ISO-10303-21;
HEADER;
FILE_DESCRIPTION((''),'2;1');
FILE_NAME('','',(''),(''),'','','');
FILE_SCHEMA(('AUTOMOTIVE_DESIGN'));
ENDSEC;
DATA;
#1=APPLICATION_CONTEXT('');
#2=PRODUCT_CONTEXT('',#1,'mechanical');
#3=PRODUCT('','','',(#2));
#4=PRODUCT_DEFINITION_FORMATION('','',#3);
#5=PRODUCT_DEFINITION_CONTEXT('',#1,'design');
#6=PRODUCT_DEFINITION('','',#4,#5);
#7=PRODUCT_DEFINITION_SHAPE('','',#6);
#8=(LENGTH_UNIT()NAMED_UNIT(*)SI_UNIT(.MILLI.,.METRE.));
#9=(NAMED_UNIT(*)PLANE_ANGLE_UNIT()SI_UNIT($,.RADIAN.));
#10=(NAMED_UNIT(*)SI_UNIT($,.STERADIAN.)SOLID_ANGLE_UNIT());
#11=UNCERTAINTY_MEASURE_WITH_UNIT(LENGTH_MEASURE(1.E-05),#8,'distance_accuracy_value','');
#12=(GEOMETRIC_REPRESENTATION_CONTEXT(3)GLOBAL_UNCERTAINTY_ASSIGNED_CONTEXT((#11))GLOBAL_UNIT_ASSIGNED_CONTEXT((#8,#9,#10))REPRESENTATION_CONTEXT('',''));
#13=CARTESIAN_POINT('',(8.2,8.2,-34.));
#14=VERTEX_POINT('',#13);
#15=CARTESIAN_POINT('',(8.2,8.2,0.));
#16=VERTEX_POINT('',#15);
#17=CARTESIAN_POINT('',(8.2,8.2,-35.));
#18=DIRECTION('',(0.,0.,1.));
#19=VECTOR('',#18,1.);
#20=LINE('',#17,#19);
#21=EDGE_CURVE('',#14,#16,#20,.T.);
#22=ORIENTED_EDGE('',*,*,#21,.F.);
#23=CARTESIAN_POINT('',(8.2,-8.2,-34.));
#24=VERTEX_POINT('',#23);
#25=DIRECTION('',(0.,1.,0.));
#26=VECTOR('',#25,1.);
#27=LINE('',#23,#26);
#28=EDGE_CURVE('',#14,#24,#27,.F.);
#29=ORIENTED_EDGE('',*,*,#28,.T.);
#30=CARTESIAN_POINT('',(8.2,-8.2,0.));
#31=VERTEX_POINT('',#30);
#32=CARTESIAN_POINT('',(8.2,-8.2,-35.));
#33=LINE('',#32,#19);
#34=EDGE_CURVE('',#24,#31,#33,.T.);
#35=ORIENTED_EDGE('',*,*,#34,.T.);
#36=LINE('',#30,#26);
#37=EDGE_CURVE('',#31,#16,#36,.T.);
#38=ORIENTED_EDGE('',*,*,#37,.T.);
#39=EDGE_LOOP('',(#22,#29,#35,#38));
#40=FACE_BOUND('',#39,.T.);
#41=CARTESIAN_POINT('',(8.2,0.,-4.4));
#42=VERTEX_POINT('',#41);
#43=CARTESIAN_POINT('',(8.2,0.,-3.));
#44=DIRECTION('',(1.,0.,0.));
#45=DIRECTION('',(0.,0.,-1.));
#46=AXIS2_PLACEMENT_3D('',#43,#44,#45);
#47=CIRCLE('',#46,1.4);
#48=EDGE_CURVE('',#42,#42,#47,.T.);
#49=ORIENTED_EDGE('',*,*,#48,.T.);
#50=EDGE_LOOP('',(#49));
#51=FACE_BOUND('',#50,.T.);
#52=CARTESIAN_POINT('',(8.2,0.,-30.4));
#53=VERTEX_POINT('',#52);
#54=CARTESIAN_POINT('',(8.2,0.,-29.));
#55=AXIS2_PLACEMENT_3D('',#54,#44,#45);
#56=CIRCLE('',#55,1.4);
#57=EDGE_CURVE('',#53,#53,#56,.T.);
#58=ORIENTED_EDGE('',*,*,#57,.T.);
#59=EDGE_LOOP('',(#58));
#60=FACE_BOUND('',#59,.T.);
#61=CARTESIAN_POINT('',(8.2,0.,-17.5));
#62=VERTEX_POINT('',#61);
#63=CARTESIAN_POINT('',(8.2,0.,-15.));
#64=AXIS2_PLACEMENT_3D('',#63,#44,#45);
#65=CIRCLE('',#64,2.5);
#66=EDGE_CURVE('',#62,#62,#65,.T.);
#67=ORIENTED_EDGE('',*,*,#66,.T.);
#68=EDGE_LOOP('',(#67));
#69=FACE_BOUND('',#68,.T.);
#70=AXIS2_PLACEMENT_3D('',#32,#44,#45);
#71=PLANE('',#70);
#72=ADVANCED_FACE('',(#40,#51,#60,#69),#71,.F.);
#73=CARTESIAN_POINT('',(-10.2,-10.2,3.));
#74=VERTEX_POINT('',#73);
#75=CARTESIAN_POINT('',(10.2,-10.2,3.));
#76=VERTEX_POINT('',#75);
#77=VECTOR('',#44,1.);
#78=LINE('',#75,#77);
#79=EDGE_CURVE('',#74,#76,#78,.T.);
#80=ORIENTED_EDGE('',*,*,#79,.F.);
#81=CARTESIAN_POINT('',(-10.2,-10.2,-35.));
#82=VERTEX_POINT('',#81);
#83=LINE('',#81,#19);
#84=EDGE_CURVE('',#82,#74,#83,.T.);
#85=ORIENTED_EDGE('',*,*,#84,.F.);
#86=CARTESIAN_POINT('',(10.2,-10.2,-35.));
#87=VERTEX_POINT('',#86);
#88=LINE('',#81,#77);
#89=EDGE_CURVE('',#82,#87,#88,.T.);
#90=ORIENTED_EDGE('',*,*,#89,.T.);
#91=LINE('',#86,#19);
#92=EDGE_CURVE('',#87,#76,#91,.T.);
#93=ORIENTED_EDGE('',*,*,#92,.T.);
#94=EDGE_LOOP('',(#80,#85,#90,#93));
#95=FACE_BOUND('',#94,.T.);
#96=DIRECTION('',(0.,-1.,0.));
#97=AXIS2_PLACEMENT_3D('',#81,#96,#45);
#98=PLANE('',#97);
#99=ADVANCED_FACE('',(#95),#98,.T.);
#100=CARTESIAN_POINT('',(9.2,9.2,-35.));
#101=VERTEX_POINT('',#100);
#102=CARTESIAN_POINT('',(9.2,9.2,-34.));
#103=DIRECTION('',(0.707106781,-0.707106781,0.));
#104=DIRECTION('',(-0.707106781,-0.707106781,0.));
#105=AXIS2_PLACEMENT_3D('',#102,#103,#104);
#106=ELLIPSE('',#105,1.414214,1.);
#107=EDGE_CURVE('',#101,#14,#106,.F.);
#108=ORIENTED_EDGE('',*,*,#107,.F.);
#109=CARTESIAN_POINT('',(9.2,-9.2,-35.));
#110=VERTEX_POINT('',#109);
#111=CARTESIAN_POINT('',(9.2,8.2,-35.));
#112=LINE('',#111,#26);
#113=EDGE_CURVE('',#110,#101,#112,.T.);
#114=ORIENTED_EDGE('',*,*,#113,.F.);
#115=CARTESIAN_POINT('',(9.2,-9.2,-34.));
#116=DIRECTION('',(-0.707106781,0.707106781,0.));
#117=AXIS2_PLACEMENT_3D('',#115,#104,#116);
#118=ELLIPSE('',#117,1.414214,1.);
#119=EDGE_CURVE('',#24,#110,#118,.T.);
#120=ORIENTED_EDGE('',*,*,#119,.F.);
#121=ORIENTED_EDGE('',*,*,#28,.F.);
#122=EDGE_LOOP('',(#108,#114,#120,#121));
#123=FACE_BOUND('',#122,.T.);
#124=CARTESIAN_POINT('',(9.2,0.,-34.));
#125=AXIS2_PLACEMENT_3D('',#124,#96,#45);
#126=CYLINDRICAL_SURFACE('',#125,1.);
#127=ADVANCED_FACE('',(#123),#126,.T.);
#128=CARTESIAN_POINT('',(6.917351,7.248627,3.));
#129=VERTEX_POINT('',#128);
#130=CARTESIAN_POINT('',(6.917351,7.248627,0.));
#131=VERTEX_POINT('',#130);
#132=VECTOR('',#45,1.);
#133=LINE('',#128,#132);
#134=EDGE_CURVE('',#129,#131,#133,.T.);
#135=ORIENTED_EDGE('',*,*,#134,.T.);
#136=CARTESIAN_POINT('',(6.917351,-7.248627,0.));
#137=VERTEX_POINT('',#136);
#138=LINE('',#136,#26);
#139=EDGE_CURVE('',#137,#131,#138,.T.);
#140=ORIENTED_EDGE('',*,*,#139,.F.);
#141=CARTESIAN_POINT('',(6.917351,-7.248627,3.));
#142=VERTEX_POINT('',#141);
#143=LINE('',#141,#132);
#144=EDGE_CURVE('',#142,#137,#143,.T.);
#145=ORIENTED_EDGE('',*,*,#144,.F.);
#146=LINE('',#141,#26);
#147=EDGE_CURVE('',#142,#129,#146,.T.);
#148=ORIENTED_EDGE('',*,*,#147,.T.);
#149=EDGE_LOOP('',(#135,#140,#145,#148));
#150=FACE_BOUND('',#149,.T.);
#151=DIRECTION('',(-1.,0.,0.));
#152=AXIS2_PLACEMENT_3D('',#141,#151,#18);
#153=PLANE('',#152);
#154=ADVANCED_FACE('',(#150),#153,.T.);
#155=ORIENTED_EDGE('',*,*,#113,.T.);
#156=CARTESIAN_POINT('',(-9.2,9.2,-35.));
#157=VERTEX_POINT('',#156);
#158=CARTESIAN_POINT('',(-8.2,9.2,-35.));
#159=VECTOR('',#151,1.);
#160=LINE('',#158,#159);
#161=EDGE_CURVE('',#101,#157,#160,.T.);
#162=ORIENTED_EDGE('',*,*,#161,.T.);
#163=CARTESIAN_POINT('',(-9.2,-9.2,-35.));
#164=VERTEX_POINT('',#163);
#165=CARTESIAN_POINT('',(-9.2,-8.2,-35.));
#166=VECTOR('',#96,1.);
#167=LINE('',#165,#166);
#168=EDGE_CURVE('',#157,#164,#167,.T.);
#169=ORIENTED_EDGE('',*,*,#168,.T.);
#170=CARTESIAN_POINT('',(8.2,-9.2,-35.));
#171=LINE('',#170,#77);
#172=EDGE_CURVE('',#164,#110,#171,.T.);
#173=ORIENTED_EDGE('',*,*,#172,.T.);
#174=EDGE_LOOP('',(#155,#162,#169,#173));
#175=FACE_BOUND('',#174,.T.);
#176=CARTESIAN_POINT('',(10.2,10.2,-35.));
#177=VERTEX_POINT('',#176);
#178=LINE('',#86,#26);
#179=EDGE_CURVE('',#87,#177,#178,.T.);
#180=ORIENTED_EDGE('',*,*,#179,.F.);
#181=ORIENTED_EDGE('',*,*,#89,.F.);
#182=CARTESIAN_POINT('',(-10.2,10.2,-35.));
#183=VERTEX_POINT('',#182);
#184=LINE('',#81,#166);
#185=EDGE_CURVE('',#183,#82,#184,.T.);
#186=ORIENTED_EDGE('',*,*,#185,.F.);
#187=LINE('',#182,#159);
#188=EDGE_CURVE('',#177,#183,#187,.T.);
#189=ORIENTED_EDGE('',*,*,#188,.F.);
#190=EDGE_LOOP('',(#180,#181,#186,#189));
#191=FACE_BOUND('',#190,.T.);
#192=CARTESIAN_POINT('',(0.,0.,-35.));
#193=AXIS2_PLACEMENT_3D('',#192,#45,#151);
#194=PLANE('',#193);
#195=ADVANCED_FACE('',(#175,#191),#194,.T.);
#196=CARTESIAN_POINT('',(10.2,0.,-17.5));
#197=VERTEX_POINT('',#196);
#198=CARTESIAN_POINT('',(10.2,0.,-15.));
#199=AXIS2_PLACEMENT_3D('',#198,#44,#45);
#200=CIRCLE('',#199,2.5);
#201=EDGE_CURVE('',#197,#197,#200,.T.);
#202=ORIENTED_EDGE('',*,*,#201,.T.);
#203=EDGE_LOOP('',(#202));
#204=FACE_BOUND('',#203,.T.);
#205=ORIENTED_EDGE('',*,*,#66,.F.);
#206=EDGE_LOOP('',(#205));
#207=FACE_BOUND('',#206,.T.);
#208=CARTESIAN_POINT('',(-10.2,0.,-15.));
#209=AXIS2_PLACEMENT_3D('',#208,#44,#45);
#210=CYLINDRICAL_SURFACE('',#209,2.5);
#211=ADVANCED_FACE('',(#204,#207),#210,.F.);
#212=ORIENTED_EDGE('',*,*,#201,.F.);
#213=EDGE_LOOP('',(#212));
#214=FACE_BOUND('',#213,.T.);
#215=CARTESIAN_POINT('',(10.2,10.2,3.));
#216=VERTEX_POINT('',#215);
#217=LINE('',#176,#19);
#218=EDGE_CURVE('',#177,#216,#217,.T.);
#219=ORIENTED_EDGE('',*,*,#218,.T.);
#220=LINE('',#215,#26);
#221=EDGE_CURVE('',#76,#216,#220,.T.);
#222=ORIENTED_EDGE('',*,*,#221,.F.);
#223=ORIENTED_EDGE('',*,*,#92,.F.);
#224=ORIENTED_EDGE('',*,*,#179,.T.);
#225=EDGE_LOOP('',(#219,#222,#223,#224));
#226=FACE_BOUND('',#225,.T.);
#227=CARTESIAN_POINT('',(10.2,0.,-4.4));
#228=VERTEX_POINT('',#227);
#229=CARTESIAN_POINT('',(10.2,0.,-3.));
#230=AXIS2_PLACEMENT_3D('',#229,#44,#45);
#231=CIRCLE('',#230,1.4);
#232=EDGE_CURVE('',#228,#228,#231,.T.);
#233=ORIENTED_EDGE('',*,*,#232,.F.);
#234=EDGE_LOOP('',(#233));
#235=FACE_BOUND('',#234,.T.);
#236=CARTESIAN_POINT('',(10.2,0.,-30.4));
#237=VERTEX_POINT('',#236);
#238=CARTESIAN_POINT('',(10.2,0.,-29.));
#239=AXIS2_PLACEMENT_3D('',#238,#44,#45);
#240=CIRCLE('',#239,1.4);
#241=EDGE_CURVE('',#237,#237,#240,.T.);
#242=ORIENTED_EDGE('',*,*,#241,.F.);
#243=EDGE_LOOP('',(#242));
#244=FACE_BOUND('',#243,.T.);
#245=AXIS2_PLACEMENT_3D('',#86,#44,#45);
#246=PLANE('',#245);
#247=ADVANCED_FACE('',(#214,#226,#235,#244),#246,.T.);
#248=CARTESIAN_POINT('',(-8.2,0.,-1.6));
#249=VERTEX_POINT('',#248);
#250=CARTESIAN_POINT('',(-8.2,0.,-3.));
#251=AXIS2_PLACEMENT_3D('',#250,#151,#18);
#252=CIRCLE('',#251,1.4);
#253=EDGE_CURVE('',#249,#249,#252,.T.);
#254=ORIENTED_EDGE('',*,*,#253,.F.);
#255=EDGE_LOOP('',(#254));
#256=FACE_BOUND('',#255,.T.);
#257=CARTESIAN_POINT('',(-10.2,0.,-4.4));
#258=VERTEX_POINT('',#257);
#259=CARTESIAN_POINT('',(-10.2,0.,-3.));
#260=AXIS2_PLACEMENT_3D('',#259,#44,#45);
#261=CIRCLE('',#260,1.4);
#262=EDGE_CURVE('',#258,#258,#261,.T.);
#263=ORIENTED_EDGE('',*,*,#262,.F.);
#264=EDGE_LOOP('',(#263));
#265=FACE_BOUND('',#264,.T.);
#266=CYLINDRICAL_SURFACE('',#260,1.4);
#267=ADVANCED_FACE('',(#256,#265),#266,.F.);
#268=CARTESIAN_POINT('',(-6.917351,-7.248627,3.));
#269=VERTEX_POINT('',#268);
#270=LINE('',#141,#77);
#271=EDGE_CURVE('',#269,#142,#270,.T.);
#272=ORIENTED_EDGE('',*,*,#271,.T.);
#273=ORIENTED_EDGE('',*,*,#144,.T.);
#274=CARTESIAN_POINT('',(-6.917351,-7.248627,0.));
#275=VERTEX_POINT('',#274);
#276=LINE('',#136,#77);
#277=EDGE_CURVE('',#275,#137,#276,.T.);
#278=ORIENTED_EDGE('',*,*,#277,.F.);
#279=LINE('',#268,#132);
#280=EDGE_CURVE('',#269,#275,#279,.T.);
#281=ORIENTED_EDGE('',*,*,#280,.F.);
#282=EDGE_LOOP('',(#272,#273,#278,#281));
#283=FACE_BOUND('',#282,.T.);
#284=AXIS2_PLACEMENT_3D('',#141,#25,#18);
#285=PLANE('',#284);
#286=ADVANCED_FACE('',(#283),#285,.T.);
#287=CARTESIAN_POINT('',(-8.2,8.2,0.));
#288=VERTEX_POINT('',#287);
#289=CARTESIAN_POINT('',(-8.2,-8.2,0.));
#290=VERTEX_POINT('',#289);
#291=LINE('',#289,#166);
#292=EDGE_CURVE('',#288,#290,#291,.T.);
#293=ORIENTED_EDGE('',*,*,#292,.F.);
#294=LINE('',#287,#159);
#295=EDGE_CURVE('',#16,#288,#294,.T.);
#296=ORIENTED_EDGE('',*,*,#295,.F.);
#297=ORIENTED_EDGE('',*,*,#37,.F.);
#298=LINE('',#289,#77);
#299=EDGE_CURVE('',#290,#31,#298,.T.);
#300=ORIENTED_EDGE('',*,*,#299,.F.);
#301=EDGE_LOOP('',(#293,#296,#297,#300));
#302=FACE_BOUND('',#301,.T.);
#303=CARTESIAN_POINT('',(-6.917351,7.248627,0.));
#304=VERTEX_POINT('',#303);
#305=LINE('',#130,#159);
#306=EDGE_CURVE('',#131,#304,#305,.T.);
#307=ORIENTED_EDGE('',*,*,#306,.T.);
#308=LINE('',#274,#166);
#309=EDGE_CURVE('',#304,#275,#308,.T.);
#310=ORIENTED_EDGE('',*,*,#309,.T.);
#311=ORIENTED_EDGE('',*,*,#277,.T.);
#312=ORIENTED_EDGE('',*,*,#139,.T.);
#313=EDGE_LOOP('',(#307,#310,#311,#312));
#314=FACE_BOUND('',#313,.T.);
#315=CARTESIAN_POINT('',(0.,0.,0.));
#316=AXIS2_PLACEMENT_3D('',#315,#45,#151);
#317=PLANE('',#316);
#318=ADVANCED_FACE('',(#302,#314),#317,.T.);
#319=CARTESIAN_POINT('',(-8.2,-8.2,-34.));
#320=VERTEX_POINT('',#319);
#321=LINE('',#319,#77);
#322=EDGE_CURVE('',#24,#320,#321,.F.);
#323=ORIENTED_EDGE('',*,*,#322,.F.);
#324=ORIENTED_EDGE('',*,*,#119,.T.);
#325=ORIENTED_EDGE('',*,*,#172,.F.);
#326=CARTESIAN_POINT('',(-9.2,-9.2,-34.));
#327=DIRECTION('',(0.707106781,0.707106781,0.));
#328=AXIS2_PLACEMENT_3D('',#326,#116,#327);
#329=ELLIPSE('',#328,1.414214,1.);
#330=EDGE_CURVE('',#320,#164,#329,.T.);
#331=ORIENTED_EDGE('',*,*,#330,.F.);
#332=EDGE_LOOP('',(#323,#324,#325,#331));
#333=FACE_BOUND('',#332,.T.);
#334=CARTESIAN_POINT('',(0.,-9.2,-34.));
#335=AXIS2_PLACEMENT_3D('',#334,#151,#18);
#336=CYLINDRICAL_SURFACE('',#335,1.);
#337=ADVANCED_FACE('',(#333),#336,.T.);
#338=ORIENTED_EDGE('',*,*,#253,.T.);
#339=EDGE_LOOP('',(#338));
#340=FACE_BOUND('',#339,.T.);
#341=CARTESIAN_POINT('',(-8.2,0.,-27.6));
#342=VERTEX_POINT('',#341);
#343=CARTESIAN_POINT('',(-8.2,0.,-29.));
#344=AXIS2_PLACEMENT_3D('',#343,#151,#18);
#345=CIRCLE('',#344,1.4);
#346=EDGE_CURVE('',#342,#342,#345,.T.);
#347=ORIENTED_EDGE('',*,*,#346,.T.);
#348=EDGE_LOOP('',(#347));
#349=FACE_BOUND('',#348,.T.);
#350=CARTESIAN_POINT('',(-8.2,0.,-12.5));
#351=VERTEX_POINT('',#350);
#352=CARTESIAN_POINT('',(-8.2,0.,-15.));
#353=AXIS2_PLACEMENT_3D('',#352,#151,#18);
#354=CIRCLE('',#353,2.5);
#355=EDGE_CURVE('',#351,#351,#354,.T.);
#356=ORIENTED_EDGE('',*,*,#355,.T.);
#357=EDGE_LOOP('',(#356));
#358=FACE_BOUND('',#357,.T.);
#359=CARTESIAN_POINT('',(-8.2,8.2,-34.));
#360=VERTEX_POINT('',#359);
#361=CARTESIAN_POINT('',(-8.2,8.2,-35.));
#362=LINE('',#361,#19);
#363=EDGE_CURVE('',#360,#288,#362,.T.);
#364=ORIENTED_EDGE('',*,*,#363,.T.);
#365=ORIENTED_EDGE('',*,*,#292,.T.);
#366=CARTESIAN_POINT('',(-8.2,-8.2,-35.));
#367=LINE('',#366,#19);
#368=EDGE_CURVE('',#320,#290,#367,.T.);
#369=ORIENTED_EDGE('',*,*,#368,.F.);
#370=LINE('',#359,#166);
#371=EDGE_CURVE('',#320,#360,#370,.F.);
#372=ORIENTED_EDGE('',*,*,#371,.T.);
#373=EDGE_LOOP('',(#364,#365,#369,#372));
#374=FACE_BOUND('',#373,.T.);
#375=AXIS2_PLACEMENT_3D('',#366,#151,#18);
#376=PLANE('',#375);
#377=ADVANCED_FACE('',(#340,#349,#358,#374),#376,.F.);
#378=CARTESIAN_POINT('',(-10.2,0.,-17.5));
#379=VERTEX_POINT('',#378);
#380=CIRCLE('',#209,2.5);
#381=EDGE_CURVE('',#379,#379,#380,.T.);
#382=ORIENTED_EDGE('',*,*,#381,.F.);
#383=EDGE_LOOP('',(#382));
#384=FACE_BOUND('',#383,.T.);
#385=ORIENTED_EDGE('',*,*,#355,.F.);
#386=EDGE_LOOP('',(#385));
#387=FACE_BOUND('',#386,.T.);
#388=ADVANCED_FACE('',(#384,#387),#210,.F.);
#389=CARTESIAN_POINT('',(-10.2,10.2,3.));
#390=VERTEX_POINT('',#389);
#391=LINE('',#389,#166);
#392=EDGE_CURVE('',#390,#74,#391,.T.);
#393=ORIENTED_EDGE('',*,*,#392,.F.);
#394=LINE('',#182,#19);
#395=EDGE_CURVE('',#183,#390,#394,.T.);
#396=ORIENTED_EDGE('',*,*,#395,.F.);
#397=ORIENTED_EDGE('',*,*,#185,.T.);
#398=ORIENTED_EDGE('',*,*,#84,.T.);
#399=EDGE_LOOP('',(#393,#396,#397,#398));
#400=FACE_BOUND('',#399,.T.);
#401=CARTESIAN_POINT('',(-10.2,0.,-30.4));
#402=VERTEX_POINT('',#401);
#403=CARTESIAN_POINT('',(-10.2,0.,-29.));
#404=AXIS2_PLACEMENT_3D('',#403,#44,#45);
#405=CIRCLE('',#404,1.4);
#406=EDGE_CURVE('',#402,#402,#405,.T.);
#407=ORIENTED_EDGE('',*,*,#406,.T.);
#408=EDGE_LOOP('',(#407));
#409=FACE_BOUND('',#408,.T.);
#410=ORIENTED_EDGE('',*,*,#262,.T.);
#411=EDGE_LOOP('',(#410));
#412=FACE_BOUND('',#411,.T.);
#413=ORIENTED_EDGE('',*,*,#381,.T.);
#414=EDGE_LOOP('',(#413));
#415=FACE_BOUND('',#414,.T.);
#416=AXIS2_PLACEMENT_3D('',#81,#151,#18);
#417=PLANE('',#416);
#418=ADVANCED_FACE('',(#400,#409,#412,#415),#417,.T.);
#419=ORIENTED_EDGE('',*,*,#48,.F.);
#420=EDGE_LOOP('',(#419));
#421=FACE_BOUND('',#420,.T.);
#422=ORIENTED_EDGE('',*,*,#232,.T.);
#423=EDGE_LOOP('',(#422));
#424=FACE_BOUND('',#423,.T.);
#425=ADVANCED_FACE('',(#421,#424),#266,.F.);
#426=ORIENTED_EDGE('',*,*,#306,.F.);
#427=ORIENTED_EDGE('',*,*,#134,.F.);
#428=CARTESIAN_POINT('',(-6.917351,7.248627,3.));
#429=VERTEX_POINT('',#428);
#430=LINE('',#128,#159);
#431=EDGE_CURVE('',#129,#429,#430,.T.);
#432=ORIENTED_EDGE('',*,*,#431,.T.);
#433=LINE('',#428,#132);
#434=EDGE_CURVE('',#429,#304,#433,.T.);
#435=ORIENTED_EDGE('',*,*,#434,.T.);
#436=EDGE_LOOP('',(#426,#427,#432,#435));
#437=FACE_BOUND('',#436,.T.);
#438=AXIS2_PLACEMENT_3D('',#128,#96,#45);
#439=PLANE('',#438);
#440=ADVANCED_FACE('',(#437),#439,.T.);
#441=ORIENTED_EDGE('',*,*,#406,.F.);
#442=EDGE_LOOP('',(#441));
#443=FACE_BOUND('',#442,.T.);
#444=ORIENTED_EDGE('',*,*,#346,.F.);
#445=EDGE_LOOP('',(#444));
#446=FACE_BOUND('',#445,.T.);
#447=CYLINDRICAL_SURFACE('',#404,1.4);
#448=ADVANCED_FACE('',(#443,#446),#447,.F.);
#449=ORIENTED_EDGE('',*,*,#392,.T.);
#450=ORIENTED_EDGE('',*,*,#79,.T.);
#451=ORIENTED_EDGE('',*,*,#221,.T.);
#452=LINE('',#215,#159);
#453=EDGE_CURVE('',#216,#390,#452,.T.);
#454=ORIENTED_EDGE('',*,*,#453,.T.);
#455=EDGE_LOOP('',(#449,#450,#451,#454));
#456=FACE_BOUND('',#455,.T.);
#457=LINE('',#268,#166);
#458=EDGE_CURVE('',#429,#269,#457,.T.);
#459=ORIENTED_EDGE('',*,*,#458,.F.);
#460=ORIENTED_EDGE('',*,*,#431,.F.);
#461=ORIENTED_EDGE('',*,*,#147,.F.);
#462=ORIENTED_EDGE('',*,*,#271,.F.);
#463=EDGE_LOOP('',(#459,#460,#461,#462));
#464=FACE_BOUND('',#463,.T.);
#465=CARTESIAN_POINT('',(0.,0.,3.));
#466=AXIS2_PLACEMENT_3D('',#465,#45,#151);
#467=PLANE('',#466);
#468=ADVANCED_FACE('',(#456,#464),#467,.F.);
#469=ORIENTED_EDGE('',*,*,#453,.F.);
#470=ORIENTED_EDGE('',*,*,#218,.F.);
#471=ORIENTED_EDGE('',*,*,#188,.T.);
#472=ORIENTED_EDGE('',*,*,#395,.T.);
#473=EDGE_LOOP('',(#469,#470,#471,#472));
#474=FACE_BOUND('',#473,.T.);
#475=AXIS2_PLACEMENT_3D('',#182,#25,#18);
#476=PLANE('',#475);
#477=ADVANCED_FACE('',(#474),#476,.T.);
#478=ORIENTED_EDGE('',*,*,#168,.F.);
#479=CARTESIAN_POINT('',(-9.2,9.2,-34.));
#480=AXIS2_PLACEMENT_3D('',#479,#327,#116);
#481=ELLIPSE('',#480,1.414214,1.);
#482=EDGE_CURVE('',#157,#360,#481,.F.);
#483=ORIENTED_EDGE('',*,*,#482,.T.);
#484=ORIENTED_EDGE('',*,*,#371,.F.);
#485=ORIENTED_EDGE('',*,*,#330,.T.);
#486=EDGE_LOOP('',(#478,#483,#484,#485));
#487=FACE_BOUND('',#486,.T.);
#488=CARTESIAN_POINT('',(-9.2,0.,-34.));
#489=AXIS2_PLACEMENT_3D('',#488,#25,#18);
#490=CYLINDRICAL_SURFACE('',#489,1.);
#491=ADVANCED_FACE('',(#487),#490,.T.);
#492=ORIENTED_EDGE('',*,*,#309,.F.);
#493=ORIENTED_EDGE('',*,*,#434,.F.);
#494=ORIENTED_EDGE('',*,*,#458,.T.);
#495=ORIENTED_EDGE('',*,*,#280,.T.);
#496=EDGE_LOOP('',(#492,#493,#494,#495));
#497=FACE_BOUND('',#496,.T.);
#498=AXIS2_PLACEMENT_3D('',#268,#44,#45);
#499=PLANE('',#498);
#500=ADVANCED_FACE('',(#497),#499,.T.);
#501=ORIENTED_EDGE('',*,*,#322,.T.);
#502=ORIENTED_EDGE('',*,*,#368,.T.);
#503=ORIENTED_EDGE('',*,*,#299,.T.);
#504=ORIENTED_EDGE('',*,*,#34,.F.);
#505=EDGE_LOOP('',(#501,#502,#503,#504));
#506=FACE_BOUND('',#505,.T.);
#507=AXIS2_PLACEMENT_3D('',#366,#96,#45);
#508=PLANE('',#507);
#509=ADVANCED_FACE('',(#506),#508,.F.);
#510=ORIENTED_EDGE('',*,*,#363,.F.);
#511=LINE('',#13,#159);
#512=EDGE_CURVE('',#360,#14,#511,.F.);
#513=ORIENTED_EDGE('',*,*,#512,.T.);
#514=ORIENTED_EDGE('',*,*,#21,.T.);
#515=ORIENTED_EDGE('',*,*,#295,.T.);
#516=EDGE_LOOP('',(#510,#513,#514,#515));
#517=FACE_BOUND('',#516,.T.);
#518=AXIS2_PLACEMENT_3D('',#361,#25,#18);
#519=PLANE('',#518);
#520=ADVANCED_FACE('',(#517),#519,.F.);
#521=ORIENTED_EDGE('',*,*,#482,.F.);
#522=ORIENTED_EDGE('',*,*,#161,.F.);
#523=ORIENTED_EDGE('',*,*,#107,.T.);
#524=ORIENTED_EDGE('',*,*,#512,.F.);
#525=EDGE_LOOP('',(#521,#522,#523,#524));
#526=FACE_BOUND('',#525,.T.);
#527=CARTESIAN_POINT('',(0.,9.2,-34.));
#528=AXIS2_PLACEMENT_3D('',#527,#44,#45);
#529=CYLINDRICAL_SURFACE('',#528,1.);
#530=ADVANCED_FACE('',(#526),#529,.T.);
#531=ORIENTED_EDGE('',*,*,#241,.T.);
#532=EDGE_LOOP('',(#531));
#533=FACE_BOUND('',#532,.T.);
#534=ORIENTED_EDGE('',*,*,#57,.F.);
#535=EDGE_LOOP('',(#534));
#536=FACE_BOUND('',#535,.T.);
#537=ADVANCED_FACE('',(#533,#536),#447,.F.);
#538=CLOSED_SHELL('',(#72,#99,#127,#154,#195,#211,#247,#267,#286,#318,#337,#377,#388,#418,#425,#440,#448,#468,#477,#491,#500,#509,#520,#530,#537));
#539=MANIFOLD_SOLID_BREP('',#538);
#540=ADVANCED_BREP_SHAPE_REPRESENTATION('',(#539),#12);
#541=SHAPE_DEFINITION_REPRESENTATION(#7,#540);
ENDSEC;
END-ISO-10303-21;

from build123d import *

# Parameters (mm, degrees)
SKETCH1_W           = 20.4
SKETCH1_H           = 20.4
SKETCH1_W_2         = 16.4
SKETCH1_H_2         = 16.4
BOSS_EXTRUDE1_DEPTH = 35
SKETCH2_W           = 20.4
SKETCH2_H           = 20.4
SKETCH2_W_2         = 13.834702386
SKETCH2_H_2         = 14.497254018
BOSS_EXTRUDE2_DEPTH = 3
SKETCH3_R           = 1.4
SKETCH3_R_2         = 2.5
CUT_EXTRUDE1_DEPTH  = 42.775590959
FILLET1_R           = 1


with BuildPart() as part:
    # Sketch1 → Boss-Extrude1 (new body)
    with BuildSketch(Plane.XY):
        Rectangle(SKETCH1_W, SKETCH1_H)
        Rectangle(SKETCH1_W_2, SKETCH1_H_2, mode=Mode.SUBTRACT)
    extrude(amount=-BOSS_EXTRUDE1_DEPTH)

    # Sketch2 → Boss-Extrude2 (add)
    with BuildSketch(Plane.XY):
        Rectangle(SKETCH2_W, SKETCH2_H)
        Rectangle(SKETCH2_W_2, SKETCH2_H_2, mode=Mode.SUBTRACT)
    extrude(amount=BOSS_EXTRUDE2_DEPTH)

    # Sketch3 → Cut-Extrude1 (cut, through all)
    with BuildSketch(Plane(origin=(10.2, 0, 0), x_dir=(0, 0, -1), z_dir=(1, 0, 0))):
        with Locations((3, 0)):
            Circle(SKETCH3_R)
        with Locations((29, 0)):
            Circle(SKETCH3_R)
        with Locations((15, 0)):
            Circle(SKETCH3_R_2)
    extrude(amount=-CUT_EXTRUDE1_DEPTH, mode=Mode.SUBTRACT)

    # Fillet1
    fillet1_edges = [part.edges().sort_by_distance(p)[0] for p in [
        (8.2, 0, -35),
        (0, -8.2, -35),
        (-8.2, 0, -35),
        (0, 8.2, -35),
    ]]
    fillet(fillet1_edges, radius=FILLET1_R)


solid = part.part
